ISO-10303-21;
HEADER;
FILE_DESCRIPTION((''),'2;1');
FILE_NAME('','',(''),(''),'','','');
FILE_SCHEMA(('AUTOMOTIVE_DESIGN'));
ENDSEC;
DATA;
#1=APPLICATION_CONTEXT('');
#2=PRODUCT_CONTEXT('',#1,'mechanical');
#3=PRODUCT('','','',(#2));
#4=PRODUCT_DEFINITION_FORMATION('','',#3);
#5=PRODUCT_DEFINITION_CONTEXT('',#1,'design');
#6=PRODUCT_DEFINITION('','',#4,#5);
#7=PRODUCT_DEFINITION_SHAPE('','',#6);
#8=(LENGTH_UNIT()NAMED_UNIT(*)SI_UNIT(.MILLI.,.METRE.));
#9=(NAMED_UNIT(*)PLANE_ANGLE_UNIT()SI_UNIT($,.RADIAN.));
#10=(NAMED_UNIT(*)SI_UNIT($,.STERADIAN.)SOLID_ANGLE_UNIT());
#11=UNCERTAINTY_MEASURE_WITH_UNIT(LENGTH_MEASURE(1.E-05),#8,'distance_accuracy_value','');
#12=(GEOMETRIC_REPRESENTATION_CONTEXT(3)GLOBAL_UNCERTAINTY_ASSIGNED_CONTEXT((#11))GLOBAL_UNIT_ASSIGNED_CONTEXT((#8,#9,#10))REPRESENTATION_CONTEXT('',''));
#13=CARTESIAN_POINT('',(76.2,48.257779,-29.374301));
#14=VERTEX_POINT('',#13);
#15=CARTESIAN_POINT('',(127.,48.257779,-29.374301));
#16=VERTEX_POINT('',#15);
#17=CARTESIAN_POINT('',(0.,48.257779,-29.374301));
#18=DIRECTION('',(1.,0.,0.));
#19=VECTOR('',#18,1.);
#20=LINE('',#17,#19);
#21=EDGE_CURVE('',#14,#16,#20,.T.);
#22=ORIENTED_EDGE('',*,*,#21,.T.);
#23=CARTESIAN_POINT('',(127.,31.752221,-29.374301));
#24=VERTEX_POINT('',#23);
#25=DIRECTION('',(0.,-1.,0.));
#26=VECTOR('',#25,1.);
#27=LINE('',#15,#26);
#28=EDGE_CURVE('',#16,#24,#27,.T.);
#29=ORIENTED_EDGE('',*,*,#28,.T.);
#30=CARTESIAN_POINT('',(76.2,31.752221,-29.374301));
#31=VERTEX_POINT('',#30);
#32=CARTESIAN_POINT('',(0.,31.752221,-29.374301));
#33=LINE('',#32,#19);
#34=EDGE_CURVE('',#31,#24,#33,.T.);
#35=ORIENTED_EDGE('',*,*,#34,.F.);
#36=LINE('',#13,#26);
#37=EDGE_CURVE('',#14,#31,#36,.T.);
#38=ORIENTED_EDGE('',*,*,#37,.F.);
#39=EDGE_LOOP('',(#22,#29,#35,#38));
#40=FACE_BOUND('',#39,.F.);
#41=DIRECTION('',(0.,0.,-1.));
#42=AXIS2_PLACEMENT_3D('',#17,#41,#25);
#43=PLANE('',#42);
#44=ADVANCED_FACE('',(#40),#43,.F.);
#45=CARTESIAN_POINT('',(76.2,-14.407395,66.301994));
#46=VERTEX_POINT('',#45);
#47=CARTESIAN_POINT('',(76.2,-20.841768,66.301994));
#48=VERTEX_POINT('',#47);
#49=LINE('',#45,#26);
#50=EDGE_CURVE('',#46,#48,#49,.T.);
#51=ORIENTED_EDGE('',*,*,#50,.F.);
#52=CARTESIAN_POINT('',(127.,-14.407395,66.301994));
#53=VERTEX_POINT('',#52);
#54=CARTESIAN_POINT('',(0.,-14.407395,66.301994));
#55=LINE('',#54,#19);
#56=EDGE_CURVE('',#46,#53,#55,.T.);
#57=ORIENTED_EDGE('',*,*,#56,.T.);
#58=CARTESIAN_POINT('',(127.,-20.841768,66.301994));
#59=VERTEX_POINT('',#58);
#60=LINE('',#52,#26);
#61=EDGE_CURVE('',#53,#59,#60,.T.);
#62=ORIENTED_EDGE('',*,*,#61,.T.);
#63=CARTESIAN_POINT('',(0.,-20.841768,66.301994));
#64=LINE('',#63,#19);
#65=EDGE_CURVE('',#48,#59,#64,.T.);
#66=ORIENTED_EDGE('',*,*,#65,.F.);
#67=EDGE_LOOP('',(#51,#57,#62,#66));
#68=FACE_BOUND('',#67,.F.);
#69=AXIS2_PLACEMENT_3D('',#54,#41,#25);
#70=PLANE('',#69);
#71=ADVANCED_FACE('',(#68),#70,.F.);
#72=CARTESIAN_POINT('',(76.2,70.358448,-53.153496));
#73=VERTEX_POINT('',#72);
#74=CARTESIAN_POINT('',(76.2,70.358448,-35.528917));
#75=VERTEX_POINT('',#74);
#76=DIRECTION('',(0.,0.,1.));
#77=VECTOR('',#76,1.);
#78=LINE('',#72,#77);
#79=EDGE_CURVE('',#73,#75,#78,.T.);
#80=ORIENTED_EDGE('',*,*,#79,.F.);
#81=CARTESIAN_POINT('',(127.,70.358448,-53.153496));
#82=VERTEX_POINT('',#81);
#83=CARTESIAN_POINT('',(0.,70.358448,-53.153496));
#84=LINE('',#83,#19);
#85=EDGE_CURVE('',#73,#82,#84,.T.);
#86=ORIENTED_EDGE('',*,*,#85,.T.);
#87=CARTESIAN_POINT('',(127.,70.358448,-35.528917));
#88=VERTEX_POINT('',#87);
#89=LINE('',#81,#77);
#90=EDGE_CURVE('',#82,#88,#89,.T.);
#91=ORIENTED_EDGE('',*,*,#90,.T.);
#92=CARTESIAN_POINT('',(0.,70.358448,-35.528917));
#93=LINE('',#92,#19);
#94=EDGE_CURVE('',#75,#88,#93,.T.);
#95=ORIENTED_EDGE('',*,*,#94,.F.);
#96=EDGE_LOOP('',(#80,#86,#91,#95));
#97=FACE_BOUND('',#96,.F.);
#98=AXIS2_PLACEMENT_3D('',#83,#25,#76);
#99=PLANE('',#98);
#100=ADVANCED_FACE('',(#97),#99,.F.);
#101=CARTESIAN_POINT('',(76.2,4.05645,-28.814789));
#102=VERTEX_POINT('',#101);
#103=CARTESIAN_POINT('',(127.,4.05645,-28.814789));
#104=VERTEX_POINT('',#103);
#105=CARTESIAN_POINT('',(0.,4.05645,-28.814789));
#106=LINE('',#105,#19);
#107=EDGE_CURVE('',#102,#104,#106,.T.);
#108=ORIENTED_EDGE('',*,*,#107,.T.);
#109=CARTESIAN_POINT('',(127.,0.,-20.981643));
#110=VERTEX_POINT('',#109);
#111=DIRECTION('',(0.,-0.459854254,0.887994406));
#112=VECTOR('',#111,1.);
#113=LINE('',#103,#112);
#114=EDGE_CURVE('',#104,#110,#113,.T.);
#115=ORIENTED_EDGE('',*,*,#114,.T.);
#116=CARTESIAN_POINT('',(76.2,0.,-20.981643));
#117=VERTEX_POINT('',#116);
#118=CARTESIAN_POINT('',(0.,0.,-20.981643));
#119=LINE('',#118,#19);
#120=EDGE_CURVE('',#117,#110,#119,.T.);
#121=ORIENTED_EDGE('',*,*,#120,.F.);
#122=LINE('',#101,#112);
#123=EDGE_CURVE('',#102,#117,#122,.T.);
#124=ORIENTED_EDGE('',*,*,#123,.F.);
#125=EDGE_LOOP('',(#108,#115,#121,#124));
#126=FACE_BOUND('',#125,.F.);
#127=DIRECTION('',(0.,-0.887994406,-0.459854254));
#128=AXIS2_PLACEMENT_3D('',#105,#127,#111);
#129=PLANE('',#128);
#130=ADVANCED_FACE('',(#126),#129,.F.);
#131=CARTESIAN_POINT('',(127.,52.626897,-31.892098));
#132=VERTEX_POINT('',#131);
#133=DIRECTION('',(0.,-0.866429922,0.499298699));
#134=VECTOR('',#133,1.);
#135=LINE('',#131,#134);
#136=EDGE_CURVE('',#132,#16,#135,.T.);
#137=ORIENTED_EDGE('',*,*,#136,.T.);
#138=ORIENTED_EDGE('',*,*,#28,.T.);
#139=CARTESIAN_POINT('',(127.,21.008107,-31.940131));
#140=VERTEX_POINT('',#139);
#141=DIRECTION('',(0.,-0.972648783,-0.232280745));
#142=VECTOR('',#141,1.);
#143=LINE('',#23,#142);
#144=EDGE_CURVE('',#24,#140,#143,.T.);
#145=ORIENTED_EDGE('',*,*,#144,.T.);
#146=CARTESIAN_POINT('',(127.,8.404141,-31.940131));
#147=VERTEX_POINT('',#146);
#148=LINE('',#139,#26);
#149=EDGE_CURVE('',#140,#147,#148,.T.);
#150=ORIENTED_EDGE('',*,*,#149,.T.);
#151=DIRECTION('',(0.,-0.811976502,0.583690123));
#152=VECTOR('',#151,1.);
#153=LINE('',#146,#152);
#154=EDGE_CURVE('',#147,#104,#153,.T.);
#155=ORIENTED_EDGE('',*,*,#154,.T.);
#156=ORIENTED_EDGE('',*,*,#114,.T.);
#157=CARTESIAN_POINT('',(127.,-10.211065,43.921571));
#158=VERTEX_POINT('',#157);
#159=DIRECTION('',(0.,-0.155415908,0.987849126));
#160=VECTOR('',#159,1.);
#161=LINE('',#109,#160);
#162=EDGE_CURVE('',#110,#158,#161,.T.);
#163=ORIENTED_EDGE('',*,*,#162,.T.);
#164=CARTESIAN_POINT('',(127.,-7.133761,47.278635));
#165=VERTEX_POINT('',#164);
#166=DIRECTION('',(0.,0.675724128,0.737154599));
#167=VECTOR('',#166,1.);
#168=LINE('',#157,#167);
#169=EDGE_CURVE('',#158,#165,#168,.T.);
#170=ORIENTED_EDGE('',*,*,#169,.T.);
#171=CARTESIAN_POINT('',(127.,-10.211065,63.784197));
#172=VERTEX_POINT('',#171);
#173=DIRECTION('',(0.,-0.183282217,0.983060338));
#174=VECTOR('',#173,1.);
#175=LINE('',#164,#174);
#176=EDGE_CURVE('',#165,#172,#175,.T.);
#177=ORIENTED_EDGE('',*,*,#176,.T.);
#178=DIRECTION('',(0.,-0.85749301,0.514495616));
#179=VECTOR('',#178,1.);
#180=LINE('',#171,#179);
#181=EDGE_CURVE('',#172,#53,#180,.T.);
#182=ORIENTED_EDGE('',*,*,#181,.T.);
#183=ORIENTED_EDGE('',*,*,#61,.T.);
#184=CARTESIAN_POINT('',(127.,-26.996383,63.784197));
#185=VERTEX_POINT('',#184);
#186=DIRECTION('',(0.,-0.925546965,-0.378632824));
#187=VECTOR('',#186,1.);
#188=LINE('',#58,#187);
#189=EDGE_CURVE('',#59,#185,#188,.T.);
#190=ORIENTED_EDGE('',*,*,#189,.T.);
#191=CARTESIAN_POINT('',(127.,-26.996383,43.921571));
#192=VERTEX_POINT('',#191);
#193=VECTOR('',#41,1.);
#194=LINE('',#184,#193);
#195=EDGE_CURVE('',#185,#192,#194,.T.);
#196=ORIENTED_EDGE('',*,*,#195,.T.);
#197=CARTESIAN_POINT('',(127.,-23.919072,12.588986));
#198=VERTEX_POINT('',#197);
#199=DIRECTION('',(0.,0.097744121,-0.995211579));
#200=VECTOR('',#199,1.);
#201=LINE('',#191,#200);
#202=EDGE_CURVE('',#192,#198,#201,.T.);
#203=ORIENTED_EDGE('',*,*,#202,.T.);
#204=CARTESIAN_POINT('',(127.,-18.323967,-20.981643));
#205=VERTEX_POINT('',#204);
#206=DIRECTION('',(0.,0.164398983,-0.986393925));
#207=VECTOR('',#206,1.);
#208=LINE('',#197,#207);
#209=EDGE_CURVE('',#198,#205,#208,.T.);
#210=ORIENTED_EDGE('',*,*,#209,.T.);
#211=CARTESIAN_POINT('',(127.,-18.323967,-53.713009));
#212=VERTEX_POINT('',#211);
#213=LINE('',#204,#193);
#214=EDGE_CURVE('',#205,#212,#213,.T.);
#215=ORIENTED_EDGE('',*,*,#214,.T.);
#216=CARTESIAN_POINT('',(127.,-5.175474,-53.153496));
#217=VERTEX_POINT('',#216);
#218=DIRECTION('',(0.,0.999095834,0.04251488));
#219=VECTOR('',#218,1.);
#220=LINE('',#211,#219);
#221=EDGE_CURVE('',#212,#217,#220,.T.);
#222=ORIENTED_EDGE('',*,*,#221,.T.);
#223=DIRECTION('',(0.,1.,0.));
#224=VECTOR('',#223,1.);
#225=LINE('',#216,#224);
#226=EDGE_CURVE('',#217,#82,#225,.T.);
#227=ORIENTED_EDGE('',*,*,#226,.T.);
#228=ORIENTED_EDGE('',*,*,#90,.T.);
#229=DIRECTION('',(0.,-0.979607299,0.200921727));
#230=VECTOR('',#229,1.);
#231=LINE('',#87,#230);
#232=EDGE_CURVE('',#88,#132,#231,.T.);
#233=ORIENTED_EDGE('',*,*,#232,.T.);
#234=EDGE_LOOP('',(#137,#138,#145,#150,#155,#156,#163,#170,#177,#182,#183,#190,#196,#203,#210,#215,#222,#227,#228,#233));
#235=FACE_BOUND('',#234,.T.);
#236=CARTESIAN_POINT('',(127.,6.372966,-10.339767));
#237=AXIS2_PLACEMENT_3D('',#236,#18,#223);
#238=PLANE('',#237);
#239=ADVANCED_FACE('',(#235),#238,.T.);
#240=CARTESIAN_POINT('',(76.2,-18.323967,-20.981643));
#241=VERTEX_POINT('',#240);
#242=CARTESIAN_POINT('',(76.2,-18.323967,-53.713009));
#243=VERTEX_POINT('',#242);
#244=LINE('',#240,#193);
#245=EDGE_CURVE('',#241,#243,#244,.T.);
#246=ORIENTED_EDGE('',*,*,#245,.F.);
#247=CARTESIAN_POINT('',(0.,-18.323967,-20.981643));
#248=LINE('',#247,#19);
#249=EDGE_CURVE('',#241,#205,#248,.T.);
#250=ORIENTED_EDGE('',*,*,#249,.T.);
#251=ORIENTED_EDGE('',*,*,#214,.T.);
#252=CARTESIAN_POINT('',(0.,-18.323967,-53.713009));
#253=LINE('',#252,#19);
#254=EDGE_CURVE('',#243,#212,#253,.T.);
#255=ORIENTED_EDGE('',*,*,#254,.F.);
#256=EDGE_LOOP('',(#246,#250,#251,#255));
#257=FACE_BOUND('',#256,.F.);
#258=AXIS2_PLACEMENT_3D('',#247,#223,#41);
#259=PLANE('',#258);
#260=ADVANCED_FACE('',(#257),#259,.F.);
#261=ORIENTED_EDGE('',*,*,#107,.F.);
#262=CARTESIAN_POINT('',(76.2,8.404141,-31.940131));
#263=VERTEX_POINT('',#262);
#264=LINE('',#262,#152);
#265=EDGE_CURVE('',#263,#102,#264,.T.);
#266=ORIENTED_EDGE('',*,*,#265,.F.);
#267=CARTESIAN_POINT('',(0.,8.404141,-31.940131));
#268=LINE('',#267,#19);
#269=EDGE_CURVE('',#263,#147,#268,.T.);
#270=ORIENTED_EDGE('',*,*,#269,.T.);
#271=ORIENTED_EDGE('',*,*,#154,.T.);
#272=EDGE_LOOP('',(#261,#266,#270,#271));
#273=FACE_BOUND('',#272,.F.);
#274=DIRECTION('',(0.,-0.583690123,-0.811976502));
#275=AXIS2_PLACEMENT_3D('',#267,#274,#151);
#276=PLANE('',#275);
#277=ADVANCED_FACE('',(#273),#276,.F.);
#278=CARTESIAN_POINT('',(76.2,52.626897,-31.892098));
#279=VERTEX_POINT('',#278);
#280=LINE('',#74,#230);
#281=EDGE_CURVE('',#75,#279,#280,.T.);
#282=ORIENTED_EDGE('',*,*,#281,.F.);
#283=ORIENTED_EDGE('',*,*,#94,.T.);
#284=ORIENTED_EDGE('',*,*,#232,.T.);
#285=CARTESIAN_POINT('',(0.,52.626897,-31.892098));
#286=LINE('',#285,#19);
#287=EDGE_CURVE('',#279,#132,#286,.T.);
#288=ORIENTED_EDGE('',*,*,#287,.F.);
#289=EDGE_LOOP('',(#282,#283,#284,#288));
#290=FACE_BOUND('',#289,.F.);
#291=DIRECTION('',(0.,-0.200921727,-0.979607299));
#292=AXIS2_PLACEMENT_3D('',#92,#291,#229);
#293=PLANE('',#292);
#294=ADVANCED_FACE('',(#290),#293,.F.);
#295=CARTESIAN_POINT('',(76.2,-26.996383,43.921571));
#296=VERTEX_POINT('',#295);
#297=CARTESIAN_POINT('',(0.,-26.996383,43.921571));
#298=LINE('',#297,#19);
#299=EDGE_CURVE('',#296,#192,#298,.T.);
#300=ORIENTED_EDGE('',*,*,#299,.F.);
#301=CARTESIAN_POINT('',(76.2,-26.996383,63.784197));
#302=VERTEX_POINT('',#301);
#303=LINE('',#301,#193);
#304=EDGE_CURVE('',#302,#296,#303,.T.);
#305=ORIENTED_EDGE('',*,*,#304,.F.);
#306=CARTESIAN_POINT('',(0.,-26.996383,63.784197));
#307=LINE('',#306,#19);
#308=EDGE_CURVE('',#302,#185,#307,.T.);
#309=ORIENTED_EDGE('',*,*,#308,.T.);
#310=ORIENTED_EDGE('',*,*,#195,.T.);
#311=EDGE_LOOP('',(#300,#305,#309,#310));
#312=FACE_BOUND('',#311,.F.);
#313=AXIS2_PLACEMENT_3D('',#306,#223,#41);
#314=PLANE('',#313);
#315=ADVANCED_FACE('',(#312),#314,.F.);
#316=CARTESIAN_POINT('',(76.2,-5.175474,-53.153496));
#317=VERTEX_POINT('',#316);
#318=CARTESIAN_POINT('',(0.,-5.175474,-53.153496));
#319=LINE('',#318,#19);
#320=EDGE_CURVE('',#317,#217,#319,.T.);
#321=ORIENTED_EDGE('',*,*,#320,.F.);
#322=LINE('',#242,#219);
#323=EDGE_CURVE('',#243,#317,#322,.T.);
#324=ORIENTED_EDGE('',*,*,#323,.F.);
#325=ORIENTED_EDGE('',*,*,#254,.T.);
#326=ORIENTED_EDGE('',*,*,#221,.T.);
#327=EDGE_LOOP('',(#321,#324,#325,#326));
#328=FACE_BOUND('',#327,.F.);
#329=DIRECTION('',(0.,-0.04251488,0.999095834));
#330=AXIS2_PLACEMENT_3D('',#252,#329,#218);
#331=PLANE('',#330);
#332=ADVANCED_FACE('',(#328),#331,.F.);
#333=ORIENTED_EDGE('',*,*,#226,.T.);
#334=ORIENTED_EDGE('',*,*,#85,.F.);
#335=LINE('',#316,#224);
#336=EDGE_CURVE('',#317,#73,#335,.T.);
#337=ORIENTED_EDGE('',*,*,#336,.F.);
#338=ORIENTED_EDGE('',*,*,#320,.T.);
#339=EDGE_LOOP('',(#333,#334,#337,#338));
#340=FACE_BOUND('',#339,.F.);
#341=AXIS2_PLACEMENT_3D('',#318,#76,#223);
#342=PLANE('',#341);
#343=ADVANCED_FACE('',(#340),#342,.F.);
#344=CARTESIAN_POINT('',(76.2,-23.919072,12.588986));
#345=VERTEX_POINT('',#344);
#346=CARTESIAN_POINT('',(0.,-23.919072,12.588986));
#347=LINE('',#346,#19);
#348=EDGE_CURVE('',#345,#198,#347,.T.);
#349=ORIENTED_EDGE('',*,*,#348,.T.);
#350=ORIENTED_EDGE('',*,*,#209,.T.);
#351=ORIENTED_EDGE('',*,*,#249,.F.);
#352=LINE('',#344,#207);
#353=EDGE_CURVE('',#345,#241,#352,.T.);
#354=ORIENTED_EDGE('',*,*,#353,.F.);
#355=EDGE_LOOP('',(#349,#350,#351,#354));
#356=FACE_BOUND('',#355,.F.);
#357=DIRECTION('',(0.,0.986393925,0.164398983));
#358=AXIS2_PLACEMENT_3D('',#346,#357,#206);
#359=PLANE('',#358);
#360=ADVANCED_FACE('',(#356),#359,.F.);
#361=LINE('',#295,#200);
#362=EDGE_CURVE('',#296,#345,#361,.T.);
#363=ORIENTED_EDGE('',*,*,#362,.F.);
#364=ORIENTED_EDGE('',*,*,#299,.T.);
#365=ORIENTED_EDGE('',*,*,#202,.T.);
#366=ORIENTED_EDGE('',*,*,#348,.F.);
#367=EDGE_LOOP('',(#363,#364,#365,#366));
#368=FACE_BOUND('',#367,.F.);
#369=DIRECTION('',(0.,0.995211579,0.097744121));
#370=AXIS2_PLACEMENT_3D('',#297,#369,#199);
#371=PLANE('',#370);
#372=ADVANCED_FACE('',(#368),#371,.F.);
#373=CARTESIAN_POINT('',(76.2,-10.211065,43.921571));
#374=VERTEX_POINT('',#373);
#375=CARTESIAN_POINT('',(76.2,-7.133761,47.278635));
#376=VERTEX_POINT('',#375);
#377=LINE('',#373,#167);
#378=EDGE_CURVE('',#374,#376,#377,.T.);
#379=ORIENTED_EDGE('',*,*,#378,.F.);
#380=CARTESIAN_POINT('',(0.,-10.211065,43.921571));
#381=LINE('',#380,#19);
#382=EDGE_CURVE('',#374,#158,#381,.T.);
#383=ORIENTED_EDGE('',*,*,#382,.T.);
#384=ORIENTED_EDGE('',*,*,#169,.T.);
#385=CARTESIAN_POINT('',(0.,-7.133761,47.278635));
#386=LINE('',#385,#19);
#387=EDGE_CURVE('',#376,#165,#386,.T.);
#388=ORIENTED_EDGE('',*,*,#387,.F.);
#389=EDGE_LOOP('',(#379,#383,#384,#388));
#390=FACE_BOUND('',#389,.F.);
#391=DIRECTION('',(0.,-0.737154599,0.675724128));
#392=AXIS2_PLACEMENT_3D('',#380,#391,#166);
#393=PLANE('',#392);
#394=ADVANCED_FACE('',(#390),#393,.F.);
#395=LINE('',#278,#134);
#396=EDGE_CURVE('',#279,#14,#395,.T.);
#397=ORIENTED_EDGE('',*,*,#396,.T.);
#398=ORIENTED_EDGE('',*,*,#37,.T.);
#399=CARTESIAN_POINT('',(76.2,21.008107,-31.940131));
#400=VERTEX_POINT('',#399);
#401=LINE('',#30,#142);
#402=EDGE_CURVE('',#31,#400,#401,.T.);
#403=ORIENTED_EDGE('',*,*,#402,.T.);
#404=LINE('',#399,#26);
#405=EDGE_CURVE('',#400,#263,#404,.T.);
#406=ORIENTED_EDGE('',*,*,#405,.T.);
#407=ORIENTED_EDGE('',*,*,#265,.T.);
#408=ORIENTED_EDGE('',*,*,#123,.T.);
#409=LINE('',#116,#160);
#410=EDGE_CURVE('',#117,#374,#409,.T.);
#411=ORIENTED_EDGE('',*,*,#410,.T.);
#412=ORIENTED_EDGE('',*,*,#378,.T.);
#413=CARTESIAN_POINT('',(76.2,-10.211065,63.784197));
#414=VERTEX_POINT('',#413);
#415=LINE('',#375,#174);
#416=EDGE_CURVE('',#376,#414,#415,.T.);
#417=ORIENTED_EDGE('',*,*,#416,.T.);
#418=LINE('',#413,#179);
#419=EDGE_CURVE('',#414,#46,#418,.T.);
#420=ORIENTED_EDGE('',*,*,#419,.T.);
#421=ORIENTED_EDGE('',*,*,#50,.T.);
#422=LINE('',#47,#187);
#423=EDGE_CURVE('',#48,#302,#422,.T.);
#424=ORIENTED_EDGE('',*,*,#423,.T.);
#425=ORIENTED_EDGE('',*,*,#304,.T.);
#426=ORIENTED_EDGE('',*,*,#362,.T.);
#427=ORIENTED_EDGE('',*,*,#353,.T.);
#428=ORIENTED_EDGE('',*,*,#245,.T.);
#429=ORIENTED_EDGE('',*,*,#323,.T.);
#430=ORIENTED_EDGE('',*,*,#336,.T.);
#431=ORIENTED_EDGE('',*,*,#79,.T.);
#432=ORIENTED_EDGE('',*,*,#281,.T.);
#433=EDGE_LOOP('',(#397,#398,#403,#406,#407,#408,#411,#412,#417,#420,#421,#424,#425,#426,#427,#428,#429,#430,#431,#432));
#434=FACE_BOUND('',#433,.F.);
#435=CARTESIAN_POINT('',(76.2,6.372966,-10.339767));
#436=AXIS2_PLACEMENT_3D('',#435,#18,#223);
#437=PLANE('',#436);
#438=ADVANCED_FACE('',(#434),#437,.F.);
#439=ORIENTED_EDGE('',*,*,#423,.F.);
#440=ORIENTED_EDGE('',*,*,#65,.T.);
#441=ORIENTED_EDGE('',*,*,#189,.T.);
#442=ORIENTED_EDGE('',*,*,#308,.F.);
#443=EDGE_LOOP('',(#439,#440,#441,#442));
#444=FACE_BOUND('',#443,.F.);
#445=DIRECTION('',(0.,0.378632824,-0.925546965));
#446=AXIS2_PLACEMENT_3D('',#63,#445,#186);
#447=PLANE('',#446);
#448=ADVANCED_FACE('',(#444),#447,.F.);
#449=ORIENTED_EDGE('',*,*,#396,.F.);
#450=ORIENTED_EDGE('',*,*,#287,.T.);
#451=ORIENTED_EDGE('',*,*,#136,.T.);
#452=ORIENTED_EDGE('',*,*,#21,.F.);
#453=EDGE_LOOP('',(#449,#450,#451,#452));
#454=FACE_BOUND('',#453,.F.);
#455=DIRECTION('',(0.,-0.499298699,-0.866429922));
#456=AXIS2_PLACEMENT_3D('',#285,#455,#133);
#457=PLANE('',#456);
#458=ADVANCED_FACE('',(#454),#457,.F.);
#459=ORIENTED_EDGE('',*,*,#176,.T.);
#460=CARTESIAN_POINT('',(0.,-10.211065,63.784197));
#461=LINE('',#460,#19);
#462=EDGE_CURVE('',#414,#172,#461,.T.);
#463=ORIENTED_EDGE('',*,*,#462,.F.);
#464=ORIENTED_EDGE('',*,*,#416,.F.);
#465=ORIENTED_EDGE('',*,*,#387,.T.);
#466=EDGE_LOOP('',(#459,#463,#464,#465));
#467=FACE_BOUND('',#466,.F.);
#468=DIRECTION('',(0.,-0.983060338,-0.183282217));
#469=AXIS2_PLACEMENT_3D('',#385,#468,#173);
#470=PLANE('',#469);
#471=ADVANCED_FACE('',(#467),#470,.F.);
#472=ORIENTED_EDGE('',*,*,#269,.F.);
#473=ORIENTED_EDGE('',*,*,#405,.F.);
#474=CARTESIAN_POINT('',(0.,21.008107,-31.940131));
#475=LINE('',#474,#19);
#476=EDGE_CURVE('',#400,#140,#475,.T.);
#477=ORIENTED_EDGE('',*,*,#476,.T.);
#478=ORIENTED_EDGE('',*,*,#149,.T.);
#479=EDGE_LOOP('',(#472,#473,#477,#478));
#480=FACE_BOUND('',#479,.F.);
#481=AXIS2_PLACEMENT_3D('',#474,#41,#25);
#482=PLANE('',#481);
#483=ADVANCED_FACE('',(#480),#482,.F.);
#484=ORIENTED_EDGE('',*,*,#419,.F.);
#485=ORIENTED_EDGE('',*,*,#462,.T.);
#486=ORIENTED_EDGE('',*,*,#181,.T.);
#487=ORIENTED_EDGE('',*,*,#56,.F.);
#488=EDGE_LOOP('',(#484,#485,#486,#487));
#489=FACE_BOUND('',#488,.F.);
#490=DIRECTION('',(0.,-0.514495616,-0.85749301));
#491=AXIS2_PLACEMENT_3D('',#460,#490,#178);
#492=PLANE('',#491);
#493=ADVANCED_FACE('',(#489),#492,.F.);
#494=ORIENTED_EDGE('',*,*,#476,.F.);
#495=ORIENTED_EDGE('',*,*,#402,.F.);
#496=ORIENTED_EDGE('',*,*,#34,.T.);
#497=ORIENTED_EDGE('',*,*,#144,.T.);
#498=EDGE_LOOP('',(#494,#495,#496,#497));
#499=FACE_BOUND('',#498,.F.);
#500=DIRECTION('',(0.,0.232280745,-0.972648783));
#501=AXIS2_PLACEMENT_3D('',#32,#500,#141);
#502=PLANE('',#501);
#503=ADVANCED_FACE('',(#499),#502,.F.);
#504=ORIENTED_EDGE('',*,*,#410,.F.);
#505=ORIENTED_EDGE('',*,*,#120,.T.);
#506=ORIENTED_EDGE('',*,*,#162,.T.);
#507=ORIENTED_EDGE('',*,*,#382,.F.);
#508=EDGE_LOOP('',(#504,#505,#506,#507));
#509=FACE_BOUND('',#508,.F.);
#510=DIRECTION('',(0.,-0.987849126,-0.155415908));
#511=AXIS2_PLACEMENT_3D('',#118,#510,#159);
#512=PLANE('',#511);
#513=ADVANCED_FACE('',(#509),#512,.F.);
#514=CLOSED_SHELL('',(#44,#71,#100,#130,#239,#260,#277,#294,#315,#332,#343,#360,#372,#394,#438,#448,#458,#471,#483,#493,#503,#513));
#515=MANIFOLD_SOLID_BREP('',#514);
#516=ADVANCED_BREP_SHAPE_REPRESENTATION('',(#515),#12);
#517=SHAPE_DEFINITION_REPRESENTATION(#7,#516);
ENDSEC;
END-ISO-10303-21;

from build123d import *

# Parameters (mm, degrees)
F1_DEPTH = 127
F2_DEPTH = 76.2


with BuildPart() as f1:
    # F0 (on Right) → F1 (new body)
    with BuildSketch(Plane.YZ):
        Polygon((52.6268968752, -31.8920984864), (48.25777933, -29.3743014336), (40.0050003082, -29.3743014336), (31.7522212863, -29.3743014336), (21.0081070048, -31.9401308597), (8.4041413315, -31.9401308597), (4.0564504452, -28.8147889078), (0, -20.9816433489), (-10.2110654116, 43.9215712249), (-7.1337609552, 47.2786352038), (-10.2110654116, 63.7841969728), (-14.4073953852, 66.3019940257), (-20.8417680115, 66.3019940257), (-26.9963834435, 63.7841969728), (-26.9963834435, 43.9215712249), (-23.9190720022, 12.5889861956), (-18.3239672333, -20.9816433489), (-18.3239672333, -53.7130087614), (-5.1754736342, -53.1534962356), (70.3584477305, -53.1534962356), (70.3584477305, -45.0405962765), (70.3584477305, -35.5289168656), align=None)
    extrude(amount=F1_DEPTH)

    # F2 (cut): a face of the model
    f2_faces = [f1.faces().sort_by_distance(p)[0] for p in [
        (0, -23.9197614794, 28.4063291618),
    ]]
    extrude(f2_faces, amount=-F2_DEPTH, mode=Mode.SUBTRACT)


solid = f1.part
